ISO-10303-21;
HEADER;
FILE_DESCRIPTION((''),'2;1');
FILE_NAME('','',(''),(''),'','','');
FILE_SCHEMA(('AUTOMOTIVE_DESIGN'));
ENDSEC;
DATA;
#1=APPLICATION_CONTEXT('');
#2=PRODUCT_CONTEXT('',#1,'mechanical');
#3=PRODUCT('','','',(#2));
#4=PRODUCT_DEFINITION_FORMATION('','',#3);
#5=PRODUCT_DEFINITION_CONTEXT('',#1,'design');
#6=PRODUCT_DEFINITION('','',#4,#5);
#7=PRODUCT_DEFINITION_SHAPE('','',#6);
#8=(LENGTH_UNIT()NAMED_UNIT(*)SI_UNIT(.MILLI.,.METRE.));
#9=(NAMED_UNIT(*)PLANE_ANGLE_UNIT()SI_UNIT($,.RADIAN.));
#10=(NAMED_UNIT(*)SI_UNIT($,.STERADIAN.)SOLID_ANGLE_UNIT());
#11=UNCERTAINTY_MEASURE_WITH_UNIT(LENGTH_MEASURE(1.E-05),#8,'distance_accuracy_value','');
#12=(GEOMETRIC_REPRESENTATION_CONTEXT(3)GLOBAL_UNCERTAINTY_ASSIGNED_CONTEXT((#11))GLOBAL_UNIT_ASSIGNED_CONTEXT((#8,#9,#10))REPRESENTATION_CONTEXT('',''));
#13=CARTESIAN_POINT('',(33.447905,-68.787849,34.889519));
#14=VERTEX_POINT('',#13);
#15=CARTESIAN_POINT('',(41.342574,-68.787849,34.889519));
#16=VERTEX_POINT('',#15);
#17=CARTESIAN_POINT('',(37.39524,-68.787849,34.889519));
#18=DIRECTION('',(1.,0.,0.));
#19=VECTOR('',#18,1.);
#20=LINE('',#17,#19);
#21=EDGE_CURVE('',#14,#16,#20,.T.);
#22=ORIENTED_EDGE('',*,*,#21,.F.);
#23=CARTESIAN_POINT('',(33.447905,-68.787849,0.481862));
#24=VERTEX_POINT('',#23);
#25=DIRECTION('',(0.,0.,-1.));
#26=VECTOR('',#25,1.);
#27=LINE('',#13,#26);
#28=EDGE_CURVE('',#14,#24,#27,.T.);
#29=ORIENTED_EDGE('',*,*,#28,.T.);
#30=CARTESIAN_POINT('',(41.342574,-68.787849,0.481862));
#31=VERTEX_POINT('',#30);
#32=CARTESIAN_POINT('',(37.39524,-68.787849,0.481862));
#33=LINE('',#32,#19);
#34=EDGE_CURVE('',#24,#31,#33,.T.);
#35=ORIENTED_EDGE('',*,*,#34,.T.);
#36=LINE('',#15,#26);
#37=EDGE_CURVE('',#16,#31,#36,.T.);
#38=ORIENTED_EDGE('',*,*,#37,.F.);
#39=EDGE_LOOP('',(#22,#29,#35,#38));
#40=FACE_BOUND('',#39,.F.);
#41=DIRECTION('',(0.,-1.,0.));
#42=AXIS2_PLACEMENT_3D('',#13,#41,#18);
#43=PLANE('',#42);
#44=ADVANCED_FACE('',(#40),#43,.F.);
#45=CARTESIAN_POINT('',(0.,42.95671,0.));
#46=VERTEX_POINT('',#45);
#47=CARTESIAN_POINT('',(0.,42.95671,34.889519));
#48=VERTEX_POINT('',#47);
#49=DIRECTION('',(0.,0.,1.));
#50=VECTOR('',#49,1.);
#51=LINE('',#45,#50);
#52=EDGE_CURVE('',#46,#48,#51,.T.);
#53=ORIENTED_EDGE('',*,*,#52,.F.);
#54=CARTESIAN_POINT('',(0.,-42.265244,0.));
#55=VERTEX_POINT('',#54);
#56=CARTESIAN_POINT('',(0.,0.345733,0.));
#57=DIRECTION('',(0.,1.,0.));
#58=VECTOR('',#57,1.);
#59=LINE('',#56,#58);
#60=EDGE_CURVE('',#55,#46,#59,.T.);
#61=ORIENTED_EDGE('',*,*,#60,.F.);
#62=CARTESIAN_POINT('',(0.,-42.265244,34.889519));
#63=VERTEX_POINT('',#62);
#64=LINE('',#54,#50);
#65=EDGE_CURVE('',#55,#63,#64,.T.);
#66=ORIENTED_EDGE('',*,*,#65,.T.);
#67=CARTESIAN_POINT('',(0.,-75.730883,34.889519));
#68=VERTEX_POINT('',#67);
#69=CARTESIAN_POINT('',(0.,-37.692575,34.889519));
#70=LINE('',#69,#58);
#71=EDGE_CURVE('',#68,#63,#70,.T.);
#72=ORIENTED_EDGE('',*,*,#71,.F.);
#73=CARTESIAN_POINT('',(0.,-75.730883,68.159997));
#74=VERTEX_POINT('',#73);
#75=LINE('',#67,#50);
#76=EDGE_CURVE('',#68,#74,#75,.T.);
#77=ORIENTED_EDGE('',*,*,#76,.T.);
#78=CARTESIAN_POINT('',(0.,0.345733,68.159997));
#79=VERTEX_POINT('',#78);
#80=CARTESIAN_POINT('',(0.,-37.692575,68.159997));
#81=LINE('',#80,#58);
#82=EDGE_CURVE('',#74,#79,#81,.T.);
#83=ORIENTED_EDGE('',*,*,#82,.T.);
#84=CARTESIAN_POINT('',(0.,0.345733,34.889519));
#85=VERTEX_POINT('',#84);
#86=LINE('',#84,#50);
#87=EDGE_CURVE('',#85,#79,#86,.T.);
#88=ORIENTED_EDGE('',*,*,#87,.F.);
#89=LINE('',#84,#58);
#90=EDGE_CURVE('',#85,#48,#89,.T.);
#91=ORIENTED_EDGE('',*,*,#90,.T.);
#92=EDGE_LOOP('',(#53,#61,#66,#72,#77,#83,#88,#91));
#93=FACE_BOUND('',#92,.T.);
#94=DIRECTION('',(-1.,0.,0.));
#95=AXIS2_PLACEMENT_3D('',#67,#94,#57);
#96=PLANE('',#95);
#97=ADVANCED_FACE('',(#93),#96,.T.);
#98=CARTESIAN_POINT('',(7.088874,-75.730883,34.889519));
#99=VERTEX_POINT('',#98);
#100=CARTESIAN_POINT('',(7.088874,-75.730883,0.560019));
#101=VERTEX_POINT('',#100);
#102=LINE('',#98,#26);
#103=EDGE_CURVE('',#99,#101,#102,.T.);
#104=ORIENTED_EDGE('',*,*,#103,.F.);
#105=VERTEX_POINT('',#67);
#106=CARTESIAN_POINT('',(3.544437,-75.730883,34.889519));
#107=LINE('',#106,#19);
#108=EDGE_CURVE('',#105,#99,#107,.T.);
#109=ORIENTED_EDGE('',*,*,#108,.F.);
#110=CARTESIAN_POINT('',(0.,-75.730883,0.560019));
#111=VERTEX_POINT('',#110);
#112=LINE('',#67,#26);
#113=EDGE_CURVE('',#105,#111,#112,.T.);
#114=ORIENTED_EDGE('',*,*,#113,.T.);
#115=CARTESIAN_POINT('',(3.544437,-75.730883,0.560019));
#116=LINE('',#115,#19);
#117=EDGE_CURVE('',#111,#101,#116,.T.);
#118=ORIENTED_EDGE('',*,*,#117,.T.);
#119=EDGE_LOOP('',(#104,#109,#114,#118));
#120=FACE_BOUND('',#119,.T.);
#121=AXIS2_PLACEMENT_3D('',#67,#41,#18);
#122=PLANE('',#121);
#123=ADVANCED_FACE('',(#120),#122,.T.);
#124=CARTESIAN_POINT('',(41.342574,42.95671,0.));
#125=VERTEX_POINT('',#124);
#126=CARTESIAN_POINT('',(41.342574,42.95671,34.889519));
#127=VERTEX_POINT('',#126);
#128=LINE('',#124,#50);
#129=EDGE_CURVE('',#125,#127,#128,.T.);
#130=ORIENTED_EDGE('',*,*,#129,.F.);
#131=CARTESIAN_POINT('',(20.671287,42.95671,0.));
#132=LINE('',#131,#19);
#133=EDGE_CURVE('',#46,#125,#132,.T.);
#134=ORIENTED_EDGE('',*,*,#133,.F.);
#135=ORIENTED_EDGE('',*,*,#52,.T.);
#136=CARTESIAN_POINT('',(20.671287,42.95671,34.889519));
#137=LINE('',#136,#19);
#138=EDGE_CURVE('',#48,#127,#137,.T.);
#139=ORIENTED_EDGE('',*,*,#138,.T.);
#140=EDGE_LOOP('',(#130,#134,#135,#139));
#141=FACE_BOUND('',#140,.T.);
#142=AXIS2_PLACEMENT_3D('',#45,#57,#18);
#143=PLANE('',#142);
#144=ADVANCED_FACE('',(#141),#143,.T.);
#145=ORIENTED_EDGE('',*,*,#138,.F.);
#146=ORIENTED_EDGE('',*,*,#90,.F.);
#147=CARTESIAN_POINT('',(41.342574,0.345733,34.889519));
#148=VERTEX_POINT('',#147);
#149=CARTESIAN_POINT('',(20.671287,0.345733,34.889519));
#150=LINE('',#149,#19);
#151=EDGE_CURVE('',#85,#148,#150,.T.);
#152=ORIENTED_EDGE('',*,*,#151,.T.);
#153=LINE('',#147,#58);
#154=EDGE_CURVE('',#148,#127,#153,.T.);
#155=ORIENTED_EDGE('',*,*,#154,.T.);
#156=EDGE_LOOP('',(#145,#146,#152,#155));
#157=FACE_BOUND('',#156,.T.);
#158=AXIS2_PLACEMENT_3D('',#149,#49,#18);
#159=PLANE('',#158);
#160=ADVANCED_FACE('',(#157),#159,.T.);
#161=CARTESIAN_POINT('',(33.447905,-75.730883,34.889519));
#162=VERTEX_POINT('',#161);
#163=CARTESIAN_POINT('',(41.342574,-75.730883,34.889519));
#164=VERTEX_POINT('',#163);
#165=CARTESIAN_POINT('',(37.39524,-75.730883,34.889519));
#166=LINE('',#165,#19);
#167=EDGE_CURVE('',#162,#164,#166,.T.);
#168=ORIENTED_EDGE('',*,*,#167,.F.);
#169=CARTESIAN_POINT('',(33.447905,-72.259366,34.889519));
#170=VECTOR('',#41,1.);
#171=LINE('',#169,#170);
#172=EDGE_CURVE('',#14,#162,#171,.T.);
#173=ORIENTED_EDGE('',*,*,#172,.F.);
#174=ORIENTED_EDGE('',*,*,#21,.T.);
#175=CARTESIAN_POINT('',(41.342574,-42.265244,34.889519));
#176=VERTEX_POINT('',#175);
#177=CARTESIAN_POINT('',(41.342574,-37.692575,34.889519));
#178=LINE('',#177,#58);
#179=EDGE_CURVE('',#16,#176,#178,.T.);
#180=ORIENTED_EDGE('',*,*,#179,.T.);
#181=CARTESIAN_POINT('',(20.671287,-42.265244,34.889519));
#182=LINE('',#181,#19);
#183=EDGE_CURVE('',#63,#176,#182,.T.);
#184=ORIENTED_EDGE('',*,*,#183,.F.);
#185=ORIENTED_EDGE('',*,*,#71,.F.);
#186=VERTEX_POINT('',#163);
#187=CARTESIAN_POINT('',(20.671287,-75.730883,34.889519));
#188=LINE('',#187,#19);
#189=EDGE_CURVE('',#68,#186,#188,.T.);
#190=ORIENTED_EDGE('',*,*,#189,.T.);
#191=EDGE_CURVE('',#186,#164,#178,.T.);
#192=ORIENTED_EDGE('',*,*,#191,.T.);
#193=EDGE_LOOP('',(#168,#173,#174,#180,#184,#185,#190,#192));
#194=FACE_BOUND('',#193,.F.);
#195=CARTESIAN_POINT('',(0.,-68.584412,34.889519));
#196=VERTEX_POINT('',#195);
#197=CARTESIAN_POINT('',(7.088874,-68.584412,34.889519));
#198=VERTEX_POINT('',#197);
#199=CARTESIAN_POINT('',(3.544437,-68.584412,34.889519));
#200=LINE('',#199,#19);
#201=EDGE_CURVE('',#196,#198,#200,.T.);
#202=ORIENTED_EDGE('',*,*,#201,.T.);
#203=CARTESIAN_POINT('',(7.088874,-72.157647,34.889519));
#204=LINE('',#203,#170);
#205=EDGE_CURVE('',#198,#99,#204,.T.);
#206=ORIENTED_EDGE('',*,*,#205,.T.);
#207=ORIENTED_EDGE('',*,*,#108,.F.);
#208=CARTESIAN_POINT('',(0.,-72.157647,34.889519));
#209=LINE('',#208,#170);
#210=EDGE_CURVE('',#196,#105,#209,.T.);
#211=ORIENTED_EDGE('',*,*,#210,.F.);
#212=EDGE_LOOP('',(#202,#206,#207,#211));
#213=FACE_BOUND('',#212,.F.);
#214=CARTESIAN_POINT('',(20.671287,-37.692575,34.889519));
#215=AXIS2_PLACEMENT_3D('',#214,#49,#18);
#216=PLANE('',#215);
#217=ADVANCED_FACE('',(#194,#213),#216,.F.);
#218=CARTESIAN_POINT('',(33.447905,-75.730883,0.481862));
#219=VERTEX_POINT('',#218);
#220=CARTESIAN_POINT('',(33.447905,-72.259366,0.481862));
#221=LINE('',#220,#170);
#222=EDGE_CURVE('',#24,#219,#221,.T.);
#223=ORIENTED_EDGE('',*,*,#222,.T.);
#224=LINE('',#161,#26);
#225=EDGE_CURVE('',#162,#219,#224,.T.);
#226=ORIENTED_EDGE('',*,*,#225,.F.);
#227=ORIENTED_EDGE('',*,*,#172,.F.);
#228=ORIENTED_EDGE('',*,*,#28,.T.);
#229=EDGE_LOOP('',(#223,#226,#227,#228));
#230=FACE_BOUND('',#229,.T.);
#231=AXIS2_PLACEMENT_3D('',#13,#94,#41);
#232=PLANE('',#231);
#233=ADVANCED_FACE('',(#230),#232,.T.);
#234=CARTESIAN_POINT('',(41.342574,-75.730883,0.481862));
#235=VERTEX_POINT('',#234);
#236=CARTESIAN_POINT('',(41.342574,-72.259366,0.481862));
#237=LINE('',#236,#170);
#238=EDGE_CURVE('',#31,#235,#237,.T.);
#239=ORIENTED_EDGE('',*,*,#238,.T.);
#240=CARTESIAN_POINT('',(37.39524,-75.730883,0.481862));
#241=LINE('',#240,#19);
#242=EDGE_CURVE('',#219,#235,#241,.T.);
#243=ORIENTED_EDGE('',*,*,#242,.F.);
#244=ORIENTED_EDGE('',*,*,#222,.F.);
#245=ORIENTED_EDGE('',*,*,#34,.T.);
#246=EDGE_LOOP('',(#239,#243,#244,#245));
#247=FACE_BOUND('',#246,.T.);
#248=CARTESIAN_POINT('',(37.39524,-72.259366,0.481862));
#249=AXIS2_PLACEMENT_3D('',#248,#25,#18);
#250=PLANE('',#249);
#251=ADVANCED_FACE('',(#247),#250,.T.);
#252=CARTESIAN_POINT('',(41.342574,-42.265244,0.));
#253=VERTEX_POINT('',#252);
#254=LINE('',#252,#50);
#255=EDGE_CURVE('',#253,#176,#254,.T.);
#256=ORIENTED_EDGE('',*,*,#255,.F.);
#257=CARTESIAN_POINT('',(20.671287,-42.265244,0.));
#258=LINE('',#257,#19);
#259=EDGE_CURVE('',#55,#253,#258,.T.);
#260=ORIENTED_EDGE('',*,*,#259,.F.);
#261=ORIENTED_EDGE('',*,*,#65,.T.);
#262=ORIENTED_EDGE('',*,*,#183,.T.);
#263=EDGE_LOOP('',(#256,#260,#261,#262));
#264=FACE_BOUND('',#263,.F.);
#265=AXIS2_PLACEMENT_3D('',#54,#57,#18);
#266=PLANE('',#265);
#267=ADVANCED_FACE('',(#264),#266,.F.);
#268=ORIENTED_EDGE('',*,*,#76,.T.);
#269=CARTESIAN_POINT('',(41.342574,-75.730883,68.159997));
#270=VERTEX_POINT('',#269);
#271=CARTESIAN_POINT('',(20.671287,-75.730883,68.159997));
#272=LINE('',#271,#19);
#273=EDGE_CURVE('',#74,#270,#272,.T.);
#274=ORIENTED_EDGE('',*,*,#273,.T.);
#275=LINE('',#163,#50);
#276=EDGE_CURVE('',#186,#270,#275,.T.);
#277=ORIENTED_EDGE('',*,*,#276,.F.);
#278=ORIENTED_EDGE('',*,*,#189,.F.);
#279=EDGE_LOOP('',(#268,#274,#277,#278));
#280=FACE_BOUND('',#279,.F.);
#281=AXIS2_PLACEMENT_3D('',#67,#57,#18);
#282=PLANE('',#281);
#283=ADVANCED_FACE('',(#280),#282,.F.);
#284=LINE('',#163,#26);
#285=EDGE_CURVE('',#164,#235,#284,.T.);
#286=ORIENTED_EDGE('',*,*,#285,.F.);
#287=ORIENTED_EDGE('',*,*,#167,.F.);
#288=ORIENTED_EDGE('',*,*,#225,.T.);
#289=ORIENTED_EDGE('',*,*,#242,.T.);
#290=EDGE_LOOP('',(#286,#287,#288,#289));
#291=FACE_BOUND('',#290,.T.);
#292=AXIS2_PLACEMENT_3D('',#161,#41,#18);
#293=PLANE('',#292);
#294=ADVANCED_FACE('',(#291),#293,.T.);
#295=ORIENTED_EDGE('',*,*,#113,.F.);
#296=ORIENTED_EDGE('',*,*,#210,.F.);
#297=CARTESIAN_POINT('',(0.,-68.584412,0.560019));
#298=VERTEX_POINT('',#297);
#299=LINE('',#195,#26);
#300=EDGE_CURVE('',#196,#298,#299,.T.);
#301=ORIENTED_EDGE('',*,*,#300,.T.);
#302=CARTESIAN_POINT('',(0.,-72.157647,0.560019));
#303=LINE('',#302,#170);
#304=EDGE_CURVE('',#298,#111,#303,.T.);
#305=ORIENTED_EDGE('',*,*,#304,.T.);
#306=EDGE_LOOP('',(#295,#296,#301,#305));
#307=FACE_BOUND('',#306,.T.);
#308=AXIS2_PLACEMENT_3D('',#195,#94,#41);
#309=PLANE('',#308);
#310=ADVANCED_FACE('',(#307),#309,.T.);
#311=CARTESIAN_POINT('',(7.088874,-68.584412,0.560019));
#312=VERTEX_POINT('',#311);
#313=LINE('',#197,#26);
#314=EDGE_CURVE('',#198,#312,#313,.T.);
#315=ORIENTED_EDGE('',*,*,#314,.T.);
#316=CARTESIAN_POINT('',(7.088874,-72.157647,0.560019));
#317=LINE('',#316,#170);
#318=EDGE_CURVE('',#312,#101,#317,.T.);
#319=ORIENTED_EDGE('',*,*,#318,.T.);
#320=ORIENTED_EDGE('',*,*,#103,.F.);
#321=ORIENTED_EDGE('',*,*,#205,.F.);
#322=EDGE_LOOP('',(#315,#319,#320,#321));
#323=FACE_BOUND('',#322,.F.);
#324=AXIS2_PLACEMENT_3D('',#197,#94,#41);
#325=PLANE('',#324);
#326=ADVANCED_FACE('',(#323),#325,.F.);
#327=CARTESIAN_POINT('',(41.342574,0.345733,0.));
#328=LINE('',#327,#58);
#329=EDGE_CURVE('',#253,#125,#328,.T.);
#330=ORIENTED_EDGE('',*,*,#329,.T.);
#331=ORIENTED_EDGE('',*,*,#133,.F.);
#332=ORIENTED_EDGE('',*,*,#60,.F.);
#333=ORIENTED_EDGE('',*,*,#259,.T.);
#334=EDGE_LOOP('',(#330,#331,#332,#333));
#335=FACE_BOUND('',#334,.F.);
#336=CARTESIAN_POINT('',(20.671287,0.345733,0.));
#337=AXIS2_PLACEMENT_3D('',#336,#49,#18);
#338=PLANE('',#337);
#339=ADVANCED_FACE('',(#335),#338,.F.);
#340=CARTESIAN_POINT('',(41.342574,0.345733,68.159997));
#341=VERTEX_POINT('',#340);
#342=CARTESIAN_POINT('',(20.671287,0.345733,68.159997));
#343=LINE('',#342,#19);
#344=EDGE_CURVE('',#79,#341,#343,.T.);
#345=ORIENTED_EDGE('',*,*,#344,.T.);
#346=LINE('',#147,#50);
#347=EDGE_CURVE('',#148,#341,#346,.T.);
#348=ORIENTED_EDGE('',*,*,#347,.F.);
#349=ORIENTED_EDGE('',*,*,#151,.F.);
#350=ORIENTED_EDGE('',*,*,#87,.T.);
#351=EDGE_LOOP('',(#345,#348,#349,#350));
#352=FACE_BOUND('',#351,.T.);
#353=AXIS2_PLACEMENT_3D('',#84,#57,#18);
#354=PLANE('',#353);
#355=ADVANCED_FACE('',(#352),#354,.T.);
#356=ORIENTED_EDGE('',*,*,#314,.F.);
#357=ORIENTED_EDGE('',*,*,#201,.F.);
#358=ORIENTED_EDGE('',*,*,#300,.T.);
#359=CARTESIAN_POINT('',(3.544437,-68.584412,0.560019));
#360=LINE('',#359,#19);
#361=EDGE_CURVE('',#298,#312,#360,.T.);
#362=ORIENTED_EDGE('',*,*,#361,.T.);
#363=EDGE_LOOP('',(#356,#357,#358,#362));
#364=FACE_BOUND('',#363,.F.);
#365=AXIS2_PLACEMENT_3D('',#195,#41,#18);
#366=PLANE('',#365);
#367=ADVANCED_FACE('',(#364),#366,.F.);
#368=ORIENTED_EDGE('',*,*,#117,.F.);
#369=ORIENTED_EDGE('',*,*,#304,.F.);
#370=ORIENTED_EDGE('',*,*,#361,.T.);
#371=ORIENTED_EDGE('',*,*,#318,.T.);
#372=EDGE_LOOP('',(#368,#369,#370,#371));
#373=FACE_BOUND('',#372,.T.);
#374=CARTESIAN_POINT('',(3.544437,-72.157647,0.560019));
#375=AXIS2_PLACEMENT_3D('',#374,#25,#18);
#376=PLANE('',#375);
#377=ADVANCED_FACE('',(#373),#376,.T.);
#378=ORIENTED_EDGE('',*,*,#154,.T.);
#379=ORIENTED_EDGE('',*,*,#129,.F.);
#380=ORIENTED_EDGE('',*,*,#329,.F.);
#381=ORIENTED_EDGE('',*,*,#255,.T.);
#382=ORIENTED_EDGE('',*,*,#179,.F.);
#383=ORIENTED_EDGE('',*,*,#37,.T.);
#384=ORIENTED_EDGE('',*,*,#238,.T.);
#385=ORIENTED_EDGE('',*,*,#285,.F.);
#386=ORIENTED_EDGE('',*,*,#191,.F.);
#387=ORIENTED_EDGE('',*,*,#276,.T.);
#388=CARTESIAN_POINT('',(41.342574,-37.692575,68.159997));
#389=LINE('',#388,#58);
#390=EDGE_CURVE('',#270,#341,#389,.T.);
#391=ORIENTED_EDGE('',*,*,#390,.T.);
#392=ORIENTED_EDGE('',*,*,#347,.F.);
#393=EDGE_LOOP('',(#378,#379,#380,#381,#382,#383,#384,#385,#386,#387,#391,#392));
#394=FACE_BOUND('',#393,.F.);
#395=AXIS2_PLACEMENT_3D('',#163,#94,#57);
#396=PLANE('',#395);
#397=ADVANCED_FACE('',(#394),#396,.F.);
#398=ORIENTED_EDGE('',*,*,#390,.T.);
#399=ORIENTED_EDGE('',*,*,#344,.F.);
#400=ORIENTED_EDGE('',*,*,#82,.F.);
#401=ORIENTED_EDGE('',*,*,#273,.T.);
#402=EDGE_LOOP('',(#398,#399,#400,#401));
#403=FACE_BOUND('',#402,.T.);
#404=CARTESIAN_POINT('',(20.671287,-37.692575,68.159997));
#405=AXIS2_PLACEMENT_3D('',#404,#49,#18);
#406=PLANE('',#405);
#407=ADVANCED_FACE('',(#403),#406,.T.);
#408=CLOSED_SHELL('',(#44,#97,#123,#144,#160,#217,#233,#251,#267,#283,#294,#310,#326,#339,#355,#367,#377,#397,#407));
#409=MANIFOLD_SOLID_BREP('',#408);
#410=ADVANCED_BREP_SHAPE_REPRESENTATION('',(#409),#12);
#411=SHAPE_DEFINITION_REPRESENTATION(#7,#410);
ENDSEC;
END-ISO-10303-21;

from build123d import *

# Parameters (mm, degrees)
F0_W     = 41.342575
F0_H     = 85.221954
F1_DEPTH = 34.889519
F2_W     = 41.342575
F2_H     = 76.076616
F3_DEPTH = 33.270478
F4_W     = 7.088874
F4_H     = 7.146471
F5_DEPTH = 34.3295
F6_W     = 7.894669
F6_H     = 6.943033
F7_DEPTH = 34.407657


with BuildPart() as f1:
    # F0 (on Top) → F1 (new body)
    with BuildSketch(Plane.XY):
        with Locations((20.671287, 0.345733)):
            Rectangle(F0_W, F0_H)
    extrude(amount=F1_DEPTH)

    # F2 (on face) → F3 (join)
    with BuildSketch(Plane.XY.offset(34.889519)):
        with Locations((20.671287, -37.692575)):
            Rectangle(F2_W, F2_H)
    extrude(amount=F3_DEPTH)

    # F4 (on face) → F5 (join)
    with BuildSketch(Plane(origin=(0, 0, 34.889519), x_dir=(1, 0, 0), z_dir=(0, 0, -1))):
        with Locations((3.544437, 72.157647)):
            Rectangle(F4_W, F4_H)
    extrude(amount=F5_DEPTH)

    # F6 (on face) → F7 (join)
    with BuildSketch(Plane(origin=(0, 0, 34.889519), x_dir=(1, 0, 0), z_dir=(0, 0, -1))):
        with Locations((37.39524, 72.259366)):
            Rectangle(F6_W, F6_H)
    extrude(amount=F7_DEPTH)


solid = f1.part
